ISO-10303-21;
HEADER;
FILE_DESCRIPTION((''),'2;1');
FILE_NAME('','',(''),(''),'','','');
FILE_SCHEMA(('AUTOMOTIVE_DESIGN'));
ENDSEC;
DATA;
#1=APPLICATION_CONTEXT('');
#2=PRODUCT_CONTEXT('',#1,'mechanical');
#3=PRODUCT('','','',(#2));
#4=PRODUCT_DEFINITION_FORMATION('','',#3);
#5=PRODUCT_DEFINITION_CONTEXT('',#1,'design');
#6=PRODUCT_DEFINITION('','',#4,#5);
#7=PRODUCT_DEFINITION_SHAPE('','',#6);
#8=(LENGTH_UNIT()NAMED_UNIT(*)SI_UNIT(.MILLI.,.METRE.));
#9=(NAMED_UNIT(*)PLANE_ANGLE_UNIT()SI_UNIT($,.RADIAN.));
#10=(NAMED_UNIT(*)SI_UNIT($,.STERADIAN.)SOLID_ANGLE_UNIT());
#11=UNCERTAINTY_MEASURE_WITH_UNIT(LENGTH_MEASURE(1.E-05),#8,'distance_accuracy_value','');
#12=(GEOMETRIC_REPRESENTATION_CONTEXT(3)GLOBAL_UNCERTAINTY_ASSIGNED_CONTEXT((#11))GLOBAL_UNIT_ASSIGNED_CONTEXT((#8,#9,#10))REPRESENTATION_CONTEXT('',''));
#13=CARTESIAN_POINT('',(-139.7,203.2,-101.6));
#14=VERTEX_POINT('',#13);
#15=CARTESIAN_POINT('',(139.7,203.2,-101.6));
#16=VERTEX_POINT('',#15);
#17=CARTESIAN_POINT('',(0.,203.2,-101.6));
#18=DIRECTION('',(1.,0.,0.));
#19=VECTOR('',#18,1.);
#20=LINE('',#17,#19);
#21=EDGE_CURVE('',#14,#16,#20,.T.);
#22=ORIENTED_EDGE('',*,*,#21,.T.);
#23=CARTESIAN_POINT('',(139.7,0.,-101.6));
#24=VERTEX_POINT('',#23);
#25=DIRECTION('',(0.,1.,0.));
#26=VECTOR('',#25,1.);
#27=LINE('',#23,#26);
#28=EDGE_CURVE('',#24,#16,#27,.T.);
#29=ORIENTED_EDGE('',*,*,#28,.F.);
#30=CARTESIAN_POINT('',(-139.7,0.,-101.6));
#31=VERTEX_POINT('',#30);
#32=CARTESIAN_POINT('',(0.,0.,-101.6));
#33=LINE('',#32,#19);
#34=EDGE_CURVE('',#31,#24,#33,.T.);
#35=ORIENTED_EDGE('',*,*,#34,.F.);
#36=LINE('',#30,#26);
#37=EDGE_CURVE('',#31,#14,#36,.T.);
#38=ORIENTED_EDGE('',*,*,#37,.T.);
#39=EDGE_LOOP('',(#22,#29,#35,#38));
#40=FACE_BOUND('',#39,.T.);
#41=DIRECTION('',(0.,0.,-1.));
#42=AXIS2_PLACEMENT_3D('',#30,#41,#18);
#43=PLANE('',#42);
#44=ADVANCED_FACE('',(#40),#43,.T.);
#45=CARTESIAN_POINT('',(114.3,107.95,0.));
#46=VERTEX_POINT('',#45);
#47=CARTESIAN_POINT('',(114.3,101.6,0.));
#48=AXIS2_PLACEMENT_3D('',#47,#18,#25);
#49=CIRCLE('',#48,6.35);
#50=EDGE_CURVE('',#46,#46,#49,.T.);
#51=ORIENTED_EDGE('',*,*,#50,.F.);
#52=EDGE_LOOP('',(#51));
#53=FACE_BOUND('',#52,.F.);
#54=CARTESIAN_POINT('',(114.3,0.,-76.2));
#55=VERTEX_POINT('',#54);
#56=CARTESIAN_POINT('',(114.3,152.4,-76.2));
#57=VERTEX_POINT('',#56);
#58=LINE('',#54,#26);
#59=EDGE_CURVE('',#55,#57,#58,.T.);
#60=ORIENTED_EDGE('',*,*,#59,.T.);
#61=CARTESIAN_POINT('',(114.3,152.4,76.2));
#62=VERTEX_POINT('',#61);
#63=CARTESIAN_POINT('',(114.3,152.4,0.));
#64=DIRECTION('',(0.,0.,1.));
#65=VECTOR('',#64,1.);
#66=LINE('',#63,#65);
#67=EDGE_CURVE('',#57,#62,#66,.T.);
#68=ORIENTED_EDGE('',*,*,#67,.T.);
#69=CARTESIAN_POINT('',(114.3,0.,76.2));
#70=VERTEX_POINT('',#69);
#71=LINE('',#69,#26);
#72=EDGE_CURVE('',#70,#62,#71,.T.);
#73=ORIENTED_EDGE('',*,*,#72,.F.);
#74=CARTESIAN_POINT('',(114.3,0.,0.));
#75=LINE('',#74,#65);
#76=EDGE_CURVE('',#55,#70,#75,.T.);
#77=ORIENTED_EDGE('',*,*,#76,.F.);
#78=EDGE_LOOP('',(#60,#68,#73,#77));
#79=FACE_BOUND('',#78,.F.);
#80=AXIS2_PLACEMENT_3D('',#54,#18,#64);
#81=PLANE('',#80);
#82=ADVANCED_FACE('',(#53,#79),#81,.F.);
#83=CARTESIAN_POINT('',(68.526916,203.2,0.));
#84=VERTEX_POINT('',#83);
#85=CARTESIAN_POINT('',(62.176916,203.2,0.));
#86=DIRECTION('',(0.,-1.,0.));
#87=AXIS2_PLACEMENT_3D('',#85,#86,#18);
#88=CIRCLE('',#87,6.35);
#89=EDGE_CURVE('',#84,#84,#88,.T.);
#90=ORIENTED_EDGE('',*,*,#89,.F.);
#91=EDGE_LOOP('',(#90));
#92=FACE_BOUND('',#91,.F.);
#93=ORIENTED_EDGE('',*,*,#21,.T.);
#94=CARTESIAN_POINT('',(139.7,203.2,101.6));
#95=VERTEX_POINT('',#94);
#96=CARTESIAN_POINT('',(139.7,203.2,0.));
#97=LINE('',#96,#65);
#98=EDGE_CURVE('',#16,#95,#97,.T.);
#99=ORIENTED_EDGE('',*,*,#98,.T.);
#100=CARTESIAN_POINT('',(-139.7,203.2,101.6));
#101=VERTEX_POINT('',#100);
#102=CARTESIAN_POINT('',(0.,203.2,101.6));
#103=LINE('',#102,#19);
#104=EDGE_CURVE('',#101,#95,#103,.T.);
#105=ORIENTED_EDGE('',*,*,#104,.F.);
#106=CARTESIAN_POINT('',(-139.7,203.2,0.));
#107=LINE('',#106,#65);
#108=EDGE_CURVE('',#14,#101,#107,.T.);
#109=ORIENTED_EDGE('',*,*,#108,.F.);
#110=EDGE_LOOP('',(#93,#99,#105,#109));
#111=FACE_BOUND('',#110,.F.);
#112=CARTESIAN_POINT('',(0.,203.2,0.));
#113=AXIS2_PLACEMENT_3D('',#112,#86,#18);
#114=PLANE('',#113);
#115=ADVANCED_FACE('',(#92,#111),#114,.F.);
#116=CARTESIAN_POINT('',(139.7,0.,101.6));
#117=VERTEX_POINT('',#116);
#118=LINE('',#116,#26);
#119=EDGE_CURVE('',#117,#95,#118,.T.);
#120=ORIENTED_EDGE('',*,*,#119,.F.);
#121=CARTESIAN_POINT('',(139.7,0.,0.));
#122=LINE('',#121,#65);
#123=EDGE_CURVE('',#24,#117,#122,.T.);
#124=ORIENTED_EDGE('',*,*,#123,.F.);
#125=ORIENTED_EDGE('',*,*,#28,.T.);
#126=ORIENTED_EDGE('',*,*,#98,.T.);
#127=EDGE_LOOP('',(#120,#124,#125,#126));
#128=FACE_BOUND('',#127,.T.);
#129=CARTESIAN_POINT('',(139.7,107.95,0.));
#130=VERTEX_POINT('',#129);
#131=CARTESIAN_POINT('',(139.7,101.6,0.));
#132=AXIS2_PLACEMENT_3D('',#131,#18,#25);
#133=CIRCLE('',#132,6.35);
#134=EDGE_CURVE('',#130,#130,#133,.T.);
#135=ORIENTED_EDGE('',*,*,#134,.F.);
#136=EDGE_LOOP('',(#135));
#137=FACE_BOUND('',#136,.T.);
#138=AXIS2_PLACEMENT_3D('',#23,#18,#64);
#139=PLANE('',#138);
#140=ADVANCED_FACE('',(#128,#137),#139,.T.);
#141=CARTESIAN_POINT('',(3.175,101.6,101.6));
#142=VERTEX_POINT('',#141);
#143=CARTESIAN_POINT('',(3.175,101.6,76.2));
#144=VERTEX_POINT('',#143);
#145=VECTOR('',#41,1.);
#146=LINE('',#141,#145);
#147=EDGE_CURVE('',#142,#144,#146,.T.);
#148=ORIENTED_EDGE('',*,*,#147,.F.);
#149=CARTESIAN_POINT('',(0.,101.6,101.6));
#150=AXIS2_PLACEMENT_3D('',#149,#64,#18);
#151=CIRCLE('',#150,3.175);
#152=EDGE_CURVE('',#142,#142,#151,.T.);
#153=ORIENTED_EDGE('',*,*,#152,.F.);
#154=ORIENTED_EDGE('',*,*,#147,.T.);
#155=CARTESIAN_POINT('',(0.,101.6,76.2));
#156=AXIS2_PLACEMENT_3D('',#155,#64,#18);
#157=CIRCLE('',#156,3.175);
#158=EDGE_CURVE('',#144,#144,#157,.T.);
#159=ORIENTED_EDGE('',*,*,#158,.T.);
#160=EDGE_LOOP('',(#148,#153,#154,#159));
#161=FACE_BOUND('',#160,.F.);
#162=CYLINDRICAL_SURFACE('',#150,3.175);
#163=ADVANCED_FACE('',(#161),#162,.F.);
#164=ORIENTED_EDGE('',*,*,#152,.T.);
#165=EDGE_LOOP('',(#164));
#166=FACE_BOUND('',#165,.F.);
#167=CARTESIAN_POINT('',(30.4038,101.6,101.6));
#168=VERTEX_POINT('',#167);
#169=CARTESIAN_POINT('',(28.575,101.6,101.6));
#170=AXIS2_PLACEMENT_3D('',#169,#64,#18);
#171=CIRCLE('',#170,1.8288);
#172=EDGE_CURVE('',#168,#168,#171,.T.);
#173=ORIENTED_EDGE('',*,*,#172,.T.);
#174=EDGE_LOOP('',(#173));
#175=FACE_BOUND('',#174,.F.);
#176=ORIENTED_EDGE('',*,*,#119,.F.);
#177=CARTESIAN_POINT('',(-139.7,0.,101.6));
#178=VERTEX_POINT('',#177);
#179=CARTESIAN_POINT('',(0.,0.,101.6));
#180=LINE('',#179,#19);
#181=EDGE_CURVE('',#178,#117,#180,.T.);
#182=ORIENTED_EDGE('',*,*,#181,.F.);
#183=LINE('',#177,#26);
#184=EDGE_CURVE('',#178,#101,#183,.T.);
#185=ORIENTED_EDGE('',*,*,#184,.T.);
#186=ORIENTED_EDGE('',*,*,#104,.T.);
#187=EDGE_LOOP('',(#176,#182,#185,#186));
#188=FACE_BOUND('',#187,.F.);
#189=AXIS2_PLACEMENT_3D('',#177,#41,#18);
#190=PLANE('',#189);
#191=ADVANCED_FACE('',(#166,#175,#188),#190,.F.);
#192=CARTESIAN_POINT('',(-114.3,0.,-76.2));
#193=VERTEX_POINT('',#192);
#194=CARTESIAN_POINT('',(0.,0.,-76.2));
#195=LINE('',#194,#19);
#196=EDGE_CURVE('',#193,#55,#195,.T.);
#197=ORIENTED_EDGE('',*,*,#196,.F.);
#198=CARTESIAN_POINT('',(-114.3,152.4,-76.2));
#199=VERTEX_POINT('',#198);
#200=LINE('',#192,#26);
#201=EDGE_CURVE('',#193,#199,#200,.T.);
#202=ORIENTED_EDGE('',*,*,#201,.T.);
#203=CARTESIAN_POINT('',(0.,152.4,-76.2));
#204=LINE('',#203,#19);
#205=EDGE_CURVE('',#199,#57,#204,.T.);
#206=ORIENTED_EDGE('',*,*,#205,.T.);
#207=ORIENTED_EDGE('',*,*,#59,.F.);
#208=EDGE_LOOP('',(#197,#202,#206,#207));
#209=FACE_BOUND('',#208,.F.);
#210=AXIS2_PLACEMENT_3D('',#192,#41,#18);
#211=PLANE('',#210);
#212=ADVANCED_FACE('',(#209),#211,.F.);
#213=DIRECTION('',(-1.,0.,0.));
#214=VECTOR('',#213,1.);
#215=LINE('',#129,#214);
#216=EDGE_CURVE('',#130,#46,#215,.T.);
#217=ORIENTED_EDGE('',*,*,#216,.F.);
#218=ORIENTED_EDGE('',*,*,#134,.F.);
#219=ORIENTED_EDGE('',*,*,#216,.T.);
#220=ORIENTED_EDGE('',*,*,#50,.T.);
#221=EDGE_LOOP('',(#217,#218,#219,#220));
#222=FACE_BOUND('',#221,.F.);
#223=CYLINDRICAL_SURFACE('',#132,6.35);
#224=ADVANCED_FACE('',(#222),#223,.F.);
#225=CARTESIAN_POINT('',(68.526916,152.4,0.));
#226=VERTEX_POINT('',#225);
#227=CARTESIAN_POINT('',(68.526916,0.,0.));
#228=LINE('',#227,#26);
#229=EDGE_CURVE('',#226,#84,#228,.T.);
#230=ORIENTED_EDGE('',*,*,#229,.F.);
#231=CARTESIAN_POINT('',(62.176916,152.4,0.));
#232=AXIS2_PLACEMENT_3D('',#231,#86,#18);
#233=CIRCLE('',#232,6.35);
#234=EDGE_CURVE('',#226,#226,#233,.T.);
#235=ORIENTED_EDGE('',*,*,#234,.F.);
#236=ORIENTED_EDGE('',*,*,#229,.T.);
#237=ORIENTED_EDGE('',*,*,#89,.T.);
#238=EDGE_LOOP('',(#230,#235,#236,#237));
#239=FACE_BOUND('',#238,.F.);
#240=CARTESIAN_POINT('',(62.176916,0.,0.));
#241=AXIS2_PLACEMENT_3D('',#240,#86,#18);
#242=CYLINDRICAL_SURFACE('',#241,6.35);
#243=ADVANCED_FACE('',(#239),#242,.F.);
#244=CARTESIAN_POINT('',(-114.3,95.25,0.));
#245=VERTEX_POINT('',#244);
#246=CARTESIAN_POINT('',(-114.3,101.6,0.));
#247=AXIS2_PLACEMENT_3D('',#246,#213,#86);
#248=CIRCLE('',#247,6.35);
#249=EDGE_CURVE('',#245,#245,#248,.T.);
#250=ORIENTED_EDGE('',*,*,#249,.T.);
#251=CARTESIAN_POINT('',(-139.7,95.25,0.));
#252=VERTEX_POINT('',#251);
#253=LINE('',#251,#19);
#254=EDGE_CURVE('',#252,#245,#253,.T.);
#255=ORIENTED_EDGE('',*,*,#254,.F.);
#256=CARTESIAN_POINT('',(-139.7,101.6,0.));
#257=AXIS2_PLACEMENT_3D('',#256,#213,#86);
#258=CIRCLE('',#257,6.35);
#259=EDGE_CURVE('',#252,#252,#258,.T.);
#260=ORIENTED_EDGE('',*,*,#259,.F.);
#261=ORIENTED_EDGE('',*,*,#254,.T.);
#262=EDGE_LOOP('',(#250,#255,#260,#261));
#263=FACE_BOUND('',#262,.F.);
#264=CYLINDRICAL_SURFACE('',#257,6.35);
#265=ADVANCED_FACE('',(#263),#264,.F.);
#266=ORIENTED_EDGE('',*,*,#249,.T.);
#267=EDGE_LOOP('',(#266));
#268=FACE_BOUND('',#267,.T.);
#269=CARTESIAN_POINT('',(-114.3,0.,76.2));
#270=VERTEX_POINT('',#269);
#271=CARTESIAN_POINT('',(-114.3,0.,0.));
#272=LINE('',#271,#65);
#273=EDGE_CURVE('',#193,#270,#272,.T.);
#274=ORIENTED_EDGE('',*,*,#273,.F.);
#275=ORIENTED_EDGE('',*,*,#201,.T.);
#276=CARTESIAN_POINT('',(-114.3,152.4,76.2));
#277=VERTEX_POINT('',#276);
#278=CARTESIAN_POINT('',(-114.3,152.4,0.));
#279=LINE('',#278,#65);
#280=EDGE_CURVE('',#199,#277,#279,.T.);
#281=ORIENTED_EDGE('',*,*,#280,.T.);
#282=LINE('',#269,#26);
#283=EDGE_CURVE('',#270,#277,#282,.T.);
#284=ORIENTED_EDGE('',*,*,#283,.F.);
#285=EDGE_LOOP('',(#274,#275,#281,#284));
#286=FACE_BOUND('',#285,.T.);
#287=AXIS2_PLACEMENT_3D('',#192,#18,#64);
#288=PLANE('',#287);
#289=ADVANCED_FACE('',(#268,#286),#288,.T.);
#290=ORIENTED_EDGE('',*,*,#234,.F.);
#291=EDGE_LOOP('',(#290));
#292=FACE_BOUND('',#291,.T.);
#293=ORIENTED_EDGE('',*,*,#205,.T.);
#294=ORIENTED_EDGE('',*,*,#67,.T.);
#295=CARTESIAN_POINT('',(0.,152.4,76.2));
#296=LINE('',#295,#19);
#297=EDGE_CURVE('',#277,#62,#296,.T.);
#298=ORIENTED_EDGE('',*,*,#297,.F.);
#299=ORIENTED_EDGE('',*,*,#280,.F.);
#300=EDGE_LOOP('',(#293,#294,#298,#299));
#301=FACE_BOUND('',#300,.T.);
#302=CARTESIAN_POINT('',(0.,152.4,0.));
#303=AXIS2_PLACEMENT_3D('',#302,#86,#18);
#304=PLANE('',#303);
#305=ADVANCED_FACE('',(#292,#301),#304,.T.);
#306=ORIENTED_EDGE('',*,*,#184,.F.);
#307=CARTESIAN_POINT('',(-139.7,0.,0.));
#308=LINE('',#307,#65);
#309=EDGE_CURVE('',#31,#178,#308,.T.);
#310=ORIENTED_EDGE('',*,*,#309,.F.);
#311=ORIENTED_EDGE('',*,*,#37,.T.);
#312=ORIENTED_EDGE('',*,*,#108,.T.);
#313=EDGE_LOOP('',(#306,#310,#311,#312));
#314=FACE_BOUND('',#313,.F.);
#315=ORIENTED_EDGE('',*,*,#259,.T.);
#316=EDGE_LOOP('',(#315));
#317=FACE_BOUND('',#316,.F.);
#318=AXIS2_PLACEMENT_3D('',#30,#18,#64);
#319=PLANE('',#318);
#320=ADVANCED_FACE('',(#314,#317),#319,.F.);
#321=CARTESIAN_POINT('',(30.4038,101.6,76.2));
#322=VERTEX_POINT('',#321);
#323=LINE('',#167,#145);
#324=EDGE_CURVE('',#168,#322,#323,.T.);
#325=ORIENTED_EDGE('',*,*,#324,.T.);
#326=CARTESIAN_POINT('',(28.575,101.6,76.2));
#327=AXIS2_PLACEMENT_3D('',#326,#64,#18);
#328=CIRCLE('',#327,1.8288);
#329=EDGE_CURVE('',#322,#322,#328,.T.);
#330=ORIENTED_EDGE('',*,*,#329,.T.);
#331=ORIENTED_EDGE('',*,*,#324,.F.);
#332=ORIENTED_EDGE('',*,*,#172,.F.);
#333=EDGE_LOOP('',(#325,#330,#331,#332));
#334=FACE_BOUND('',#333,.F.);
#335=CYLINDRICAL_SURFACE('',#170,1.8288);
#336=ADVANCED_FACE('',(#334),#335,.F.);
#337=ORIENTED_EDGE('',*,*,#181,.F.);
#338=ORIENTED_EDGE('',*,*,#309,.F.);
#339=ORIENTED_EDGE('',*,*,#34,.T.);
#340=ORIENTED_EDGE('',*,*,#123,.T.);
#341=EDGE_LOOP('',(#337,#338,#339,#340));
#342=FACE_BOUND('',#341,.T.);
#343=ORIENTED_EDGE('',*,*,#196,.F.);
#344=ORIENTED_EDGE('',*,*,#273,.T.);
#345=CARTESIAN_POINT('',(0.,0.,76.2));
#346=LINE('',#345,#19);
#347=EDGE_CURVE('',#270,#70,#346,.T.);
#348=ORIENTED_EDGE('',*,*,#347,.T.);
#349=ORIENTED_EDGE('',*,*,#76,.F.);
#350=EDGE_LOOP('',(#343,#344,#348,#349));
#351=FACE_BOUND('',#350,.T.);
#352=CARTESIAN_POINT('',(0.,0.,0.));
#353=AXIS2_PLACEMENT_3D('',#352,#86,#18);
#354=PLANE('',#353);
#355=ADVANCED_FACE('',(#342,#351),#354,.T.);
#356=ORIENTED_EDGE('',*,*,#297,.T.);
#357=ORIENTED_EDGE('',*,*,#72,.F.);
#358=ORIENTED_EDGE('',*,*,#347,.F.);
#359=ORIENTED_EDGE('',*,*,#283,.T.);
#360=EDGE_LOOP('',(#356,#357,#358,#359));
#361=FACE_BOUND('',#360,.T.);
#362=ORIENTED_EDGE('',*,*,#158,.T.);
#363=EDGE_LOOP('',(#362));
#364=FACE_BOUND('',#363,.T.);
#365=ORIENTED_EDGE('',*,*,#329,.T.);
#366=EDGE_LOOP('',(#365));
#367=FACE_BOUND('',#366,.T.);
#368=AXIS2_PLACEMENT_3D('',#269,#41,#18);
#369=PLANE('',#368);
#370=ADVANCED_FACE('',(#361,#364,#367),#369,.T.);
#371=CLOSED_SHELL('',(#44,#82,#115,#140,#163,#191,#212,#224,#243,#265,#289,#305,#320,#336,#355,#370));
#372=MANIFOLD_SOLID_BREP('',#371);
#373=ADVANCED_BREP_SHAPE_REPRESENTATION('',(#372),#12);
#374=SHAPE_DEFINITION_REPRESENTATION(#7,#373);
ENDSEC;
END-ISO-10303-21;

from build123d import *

# Parameters (mm, degrees)
F0_W      = 279.4
F0_H      = 203.2
F1_DEPTH  = 203.2
F5_W      = 228.6
F5_H      = 152.4
F6_DEPTH  = 152.4
F2_R      = 3.175
F2_R_2    = 1.8288
F7_DEPTH  = 25.4
F3_R      = 6.35
F8_DEPTH  = 25.4
F4_R      = 6.35
F9_DEPTH  = 25.4
F10_R     = 6.35
F11_DEPTH = 254


with BuildPart() as f1:
    # F0 (on Front) → F1 (new body)
    with BuildSketch(Plane.XZ):
        Rectangle(F0_W, F0_H)
    extrude(amount=-F1_DEPTH)

    # F5 (on Front) → F6 (cut)
    with BuildSketch(Plane.XZ):
        Rectangle(F5_W, F5_H)
    extrude(amount=-F6_DEPTH, mode=Mode.SUBTRACT)

    # F2 (on face) → F7 (cut)
    with BuildSketch(Plane.XY.offset(101.6)):
        with Locations((0, 101.6)):
            Circle(F2_R)
        with Locations((28.575, 101.6)):
            Circle(F2_R_2)
    extrude(amount=-F7_DEPTH, mode=Mode.SUBTRACT)

    # F3 (on face) → F8 (cut)
    with BuildSketch(Plane.YZ.offset(139.7)):
        with Locations((101.6, 0)):
            Circle(F3_R)
    extrude(amount=-F8_DEPTH, mode=Mode.SUBTRACT)

    # F4 (on face) → F9 (cut)
    with BuildSketch(Plane(origin=(-139.7, 0, 0), x_dir=(0, -1, 0), z_dir=(-1, 0, 0))):
        with Locations((-101.6, 0)):
            Circle(F4_R)
    extrude(amount=-F9_DEPTH, mode=Mode.SUBTRACT)

    # F10 (on Front) → F11 (cut)
    with BuildSketch(Plane.XZ):
        with Locations((62.176916, 0)):
            Circle(F10_R)
    extrude(amount=-F11_DEPTH, mode=Mode.SUBTRACT)


solid = f1.part
